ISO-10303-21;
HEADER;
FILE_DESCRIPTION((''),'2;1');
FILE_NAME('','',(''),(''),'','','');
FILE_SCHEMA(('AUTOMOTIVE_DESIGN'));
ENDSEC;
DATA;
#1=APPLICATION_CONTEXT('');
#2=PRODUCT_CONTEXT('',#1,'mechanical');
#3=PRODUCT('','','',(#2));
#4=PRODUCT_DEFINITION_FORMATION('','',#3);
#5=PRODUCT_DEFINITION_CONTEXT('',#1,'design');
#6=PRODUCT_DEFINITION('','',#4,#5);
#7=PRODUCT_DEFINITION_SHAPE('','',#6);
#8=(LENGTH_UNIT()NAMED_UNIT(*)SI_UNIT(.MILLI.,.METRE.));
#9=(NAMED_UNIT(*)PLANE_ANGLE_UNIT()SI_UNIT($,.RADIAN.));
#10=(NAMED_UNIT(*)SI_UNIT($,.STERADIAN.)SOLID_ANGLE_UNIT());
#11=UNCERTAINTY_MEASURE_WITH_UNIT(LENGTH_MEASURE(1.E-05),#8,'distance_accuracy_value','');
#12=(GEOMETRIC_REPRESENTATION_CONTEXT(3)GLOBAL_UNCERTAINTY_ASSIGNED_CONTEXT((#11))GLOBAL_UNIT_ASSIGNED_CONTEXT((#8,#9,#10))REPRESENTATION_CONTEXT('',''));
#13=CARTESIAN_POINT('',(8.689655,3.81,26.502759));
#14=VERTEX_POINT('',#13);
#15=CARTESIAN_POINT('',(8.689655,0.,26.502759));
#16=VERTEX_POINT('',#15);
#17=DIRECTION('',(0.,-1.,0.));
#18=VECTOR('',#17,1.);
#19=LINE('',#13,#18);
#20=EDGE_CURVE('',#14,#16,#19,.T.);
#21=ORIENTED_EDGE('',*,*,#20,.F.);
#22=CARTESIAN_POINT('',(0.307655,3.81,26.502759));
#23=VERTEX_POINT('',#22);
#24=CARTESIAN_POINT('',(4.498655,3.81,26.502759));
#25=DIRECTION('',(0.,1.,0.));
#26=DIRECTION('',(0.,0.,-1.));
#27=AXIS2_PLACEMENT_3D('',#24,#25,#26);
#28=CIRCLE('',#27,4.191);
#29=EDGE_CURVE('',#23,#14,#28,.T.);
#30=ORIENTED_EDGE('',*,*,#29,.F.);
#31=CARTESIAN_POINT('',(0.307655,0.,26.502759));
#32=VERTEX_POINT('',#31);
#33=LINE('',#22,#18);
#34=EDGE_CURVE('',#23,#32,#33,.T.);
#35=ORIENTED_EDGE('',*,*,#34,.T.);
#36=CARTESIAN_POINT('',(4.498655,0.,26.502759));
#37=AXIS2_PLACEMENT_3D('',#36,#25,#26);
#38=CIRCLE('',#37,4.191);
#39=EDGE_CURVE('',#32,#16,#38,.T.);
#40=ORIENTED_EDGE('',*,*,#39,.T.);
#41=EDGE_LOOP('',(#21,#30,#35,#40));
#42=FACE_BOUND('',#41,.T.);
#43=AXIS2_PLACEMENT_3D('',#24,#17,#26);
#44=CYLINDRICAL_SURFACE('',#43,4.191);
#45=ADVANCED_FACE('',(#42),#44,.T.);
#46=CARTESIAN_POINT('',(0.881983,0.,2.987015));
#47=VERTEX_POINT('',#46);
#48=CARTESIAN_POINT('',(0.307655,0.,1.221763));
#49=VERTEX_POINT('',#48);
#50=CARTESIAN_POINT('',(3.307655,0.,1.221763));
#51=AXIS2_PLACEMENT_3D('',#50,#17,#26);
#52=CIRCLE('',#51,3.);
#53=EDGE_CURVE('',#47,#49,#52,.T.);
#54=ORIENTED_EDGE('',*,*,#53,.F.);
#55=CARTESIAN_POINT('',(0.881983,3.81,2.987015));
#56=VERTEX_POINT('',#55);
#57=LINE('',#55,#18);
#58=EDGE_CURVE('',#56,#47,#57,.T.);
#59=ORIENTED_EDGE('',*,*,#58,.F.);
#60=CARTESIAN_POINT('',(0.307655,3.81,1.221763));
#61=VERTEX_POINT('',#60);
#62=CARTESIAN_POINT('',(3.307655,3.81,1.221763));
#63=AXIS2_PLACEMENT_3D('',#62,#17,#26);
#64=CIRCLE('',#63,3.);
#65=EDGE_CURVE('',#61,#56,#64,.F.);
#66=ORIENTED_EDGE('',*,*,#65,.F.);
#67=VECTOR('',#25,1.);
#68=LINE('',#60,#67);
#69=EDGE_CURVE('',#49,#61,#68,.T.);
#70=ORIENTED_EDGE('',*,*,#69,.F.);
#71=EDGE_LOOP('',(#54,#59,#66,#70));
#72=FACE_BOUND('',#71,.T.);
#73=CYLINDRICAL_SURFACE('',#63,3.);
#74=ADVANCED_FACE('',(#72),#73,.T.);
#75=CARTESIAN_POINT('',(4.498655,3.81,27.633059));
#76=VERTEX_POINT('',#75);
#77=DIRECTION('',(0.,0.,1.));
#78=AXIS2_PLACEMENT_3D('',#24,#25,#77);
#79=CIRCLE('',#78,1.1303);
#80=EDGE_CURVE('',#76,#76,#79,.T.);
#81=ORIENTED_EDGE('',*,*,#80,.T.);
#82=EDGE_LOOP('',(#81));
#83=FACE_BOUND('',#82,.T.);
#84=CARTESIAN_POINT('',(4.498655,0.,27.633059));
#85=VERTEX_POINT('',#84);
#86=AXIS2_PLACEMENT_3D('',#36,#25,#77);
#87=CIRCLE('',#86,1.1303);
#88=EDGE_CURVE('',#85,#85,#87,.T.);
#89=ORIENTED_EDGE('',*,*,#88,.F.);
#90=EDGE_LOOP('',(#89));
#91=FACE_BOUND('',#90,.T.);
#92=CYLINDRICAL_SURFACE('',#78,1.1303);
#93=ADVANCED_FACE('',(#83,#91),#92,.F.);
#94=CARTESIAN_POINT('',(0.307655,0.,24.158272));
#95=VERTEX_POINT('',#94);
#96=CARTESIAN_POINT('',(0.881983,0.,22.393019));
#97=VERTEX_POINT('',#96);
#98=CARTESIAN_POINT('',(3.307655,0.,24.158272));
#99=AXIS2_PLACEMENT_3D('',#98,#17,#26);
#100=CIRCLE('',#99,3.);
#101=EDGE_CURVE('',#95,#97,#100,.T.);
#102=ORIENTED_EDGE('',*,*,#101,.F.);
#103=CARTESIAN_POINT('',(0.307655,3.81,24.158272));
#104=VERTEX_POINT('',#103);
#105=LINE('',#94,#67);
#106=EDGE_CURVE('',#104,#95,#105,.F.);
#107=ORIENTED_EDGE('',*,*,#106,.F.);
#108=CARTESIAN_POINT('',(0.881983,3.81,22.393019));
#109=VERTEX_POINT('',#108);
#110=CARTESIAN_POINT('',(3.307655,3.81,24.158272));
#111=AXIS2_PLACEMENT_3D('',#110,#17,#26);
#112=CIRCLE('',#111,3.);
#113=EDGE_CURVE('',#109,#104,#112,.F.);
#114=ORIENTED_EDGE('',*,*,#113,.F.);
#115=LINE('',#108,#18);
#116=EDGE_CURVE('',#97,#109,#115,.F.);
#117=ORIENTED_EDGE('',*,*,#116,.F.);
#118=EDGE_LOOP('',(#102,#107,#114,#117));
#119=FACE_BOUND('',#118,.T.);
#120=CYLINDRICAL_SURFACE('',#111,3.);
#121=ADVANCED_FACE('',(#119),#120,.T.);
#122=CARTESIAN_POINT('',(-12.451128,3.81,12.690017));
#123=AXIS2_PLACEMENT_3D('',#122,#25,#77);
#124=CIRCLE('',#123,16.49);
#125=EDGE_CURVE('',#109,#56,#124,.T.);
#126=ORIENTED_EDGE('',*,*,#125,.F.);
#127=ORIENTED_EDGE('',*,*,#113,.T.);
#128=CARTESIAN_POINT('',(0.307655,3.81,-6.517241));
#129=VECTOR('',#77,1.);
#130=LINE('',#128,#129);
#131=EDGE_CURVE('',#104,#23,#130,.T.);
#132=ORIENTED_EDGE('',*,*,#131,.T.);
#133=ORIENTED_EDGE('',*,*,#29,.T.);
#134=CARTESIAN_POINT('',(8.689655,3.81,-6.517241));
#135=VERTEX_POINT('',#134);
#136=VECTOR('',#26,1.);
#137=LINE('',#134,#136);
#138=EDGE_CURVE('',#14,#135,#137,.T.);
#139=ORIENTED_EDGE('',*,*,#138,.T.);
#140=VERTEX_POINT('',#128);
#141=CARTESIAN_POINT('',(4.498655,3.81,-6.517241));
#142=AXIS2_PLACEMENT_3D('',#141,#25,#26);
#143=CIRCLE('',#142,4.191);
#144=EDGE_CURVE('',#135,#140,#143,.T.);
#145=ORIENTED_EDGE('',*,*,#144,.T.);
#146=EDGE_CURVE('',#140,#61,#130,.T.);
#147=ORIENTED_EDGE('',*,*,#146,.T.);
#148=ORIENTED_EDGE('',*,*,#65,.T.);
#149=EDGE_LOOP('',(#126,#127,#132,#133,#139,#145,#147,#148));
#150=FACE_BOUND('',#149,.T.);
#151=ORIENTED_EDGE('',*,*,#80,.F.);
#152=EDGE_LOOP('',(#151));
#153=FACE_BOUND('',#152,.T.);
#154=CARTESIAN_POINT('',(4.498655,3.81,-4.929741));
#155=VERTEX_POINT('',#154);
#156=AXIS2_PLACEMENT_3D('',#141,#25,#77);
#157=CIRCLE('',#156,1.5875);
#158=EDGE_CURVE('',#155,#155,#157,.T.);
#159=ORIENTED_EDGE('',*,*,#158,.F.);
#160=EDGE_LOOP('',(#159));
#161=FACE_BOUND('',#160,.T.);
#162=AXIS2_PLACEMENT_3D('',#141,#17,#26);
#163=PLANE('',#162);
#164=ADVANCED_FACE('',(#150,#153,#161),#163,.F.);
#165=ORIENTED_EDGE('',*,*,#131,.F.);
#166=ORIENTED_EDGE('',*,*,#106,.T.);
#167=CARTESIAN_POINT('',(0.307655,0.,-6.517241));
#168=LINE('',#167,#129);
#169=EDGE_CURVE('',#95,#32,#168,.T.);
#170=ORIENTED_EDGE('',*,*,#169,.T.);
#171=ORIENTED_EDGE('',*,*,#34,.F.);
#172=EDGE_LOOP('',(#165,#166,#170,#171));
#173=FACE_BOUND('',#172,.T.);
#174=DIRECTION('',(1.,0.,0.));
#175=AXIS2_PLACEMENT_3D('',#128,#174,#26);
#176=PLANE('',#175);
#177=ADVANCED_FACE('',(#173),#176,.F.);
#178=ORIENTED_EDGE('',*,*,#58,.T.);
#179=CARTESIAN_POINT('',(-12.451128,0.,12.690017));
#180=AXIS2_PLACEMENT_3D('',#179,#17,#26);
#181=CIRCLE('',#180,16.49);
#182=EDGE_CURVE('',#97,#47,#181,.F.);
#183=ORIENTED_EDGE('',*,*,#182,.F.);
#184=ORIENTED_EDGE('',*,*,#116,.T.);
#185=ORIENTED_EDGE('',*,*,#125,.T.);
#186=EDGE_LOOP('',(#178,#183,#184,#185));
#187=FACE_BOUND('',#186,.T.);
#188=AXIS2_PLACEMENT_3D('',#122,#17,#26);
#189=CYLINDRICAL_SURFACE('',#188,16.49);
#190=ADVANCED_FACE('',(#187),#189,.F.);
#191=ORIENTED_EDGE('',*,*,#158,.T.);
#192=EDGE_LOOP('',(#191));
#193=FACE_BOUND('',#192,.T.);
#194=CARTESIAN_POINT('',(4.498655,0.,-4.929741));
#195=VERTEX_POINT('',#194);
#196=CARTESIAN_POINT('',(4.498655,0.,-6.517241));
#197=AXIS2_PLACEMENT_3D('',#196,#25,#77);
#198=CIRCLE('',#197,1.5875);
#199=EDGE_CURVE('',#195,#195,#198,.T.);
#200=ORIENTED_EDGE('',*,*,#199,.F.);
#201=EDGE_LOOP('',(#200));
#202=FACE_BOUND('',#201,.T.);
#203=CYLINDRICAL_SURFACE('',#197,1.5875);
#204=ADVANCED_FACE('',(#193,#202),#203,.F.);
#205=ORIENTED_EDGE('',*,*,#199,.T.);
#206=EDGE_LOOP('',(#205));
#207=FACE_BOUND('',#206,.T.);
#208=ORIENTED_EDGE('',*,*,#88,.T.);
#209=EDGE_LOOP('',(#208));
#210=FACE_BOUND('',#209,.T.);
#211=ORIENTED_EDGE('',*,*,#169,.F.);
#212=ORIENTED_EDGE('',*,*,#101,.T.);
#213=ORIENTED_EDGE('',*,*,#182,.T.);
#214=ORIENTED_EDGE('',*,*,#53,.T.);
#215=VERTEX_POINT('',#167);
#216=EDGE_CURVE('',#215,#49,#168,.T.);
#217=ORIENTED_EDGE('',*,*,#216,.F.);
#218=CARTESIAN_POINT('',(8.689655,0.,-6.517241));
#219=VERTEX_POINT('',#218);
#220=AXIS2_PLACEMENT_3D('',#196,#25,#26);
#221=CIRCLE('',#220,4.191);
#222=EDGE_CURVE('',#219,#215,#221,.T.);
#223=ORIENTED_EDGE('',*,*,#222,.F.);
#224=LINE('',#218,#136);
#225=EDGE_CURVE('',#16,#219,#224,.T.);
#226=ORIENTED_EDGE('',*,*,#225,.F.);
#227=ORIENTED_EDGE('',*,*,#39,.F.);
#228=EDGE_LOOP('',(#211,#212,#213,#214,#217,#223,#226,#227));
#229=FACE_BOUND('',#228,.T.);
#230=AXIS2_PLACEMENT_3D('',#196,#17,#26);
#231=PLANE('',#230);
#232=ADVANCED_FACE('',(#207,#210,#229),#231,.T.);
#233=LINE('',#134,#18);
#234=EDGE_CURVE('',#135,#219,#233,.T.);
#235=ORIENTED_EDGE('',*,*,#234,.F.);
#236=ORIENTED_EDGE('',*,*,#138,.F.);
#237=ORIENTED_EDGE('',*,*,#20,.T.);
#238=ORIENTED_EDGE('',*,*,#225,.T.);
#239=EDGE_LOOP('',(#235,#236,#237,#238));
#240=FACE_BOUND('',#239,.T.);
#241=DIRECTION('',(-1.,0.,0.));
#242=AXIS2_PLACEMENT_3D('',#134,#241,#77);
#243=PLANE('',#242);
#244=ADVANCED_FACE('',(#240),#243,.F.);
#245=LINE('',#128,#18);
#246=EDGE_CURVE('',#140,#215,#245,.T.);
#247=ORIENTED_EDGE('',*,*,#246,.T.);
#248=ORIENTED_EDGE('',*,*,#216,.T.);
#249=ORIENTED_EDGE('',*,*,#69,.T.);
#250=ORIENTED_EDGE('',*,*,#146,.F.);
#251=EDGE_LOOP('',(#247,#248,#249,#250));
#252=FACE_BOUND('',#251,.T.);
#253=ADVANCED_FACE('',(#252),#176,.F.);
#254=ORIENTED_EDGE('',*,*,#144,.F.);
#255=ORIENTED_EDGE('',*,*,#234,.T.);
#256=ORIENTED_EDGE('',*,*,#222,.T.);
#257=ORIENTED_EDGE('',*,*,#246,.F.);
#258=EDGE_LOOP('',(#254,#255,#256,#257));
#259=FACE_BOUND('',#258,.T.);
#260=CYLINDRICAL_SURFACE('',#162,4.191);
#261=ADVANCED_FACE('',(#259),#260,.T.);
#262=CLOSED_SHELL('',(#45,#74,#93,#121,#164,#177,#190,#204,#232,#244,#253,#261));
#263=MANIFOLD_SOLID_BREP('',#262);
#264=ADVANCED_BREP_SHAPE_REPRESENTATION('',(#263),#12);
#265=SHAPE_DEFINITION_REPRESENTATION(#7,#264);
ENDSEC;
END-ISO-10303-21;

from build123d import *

# Parameters (mm, degrees)
BOSS_EXTRUDE1_DEPTH   = 3.81
F_4_40_TAPPED_HOLE1_D = 2.2606
CUT_EXTRUDE1_DEPTH    = 4.81
SKETCH5_R             = 1.5875
CUT_EXTRUDE2_DEPTH    = 4.81
FILLET1_R             = 3


with BuildPart() as part:
    # Sketch1 → Boss-Extrude1 (new body)
    with BuildSketch(Plane(origin=(0, 0, 0), x_dir=(1, 0, 0), z_dir=(0, 1, 0))):
        with BuildLine():
            Line((0.307655172, 6.517241379), (0.307655172, -26.502758621))
            ThreePointArc((0.307655172, -26.502758621), (4.498655172, -30.693758621), (8.689655172, -26.502758621))
            Line((8.689655172, -26.502758621), (8.689655172, 6.517241379))
            ThreePointArc((8.689655172, 6.517241379), (4.498655172, 10.708241379), (0.307655172, 6.517241379))
        make_face()
    extrude(amount=BOSS_EXTRUDE1_DEPTH)

    # #4-40 Tapped Hole1 (through all)
    with Locations(Plane(origin=(0, 3.81, 0), x_dir=(1, 0, 0), z_dir=(0, 1, 0))):
        with Locations((4.498655172, 6.517241379), (4.498655172, -26.502758621)):
            Hole(F_4_40_TAPPED_HOLE1_D / 2)

    # Sketch4 → Cut-Extrude1 (cut, through all)
    with BuildSketch(Plane(origin=(0, 3.81, 0), x_dir=(1, 0, 0), z_dir=(0, 1, 0))):
        with BuildLine():
            Line((-105.054689706, 41.50252919), (-22.868233876, -25.472974727))
            ThreePointArc((-22.868233876, -25.472974727), (0.331829627, -23.107123199), (-2.0340219, 0.092940304))
            Line((-2.0340219, 0.092940304), (-84.220477731, 67.068444221))
            Line((-84.220477731, 67.068444221), (-248.593389391, 201.019452054))
            Line((-248.593389391, 201.019452054), (-269.427601367, 175.453537024))
            Line((-269.427601367, 175.453537024), (-105.054689706, 41.50252919))
        make_face()
    extrude(amount=-CUT_EXTRUDE1_DEPTH, mode=Mode.SUBTRACT)

    # Sketch5 → Cut-Extrude2 (cut, through all)
    with BuildSketch(Plane(origin=(0, 3.81, 0), x_dir=(1, 0, 0), z_dir=(0, 1, 0))):
        with Locations((4.498655172, 6.517241379)):
            Circle(SKETCH5_R)
    extrude(amount=-CUT_EXTRUDE2_DEPTH, mode=Mode.SUBTRACT)

    # Fillet1
    fillet1_edges = [part.edges().sort_by_distance(p)[0] for p in [
        (0.307655172, 1.905, 23.136717878),
        (0.307655172, 1.905, 2.243316545),
    ]]
    fillet(fillet1_edges, radius=FILLET1_R)


solid = part.part
